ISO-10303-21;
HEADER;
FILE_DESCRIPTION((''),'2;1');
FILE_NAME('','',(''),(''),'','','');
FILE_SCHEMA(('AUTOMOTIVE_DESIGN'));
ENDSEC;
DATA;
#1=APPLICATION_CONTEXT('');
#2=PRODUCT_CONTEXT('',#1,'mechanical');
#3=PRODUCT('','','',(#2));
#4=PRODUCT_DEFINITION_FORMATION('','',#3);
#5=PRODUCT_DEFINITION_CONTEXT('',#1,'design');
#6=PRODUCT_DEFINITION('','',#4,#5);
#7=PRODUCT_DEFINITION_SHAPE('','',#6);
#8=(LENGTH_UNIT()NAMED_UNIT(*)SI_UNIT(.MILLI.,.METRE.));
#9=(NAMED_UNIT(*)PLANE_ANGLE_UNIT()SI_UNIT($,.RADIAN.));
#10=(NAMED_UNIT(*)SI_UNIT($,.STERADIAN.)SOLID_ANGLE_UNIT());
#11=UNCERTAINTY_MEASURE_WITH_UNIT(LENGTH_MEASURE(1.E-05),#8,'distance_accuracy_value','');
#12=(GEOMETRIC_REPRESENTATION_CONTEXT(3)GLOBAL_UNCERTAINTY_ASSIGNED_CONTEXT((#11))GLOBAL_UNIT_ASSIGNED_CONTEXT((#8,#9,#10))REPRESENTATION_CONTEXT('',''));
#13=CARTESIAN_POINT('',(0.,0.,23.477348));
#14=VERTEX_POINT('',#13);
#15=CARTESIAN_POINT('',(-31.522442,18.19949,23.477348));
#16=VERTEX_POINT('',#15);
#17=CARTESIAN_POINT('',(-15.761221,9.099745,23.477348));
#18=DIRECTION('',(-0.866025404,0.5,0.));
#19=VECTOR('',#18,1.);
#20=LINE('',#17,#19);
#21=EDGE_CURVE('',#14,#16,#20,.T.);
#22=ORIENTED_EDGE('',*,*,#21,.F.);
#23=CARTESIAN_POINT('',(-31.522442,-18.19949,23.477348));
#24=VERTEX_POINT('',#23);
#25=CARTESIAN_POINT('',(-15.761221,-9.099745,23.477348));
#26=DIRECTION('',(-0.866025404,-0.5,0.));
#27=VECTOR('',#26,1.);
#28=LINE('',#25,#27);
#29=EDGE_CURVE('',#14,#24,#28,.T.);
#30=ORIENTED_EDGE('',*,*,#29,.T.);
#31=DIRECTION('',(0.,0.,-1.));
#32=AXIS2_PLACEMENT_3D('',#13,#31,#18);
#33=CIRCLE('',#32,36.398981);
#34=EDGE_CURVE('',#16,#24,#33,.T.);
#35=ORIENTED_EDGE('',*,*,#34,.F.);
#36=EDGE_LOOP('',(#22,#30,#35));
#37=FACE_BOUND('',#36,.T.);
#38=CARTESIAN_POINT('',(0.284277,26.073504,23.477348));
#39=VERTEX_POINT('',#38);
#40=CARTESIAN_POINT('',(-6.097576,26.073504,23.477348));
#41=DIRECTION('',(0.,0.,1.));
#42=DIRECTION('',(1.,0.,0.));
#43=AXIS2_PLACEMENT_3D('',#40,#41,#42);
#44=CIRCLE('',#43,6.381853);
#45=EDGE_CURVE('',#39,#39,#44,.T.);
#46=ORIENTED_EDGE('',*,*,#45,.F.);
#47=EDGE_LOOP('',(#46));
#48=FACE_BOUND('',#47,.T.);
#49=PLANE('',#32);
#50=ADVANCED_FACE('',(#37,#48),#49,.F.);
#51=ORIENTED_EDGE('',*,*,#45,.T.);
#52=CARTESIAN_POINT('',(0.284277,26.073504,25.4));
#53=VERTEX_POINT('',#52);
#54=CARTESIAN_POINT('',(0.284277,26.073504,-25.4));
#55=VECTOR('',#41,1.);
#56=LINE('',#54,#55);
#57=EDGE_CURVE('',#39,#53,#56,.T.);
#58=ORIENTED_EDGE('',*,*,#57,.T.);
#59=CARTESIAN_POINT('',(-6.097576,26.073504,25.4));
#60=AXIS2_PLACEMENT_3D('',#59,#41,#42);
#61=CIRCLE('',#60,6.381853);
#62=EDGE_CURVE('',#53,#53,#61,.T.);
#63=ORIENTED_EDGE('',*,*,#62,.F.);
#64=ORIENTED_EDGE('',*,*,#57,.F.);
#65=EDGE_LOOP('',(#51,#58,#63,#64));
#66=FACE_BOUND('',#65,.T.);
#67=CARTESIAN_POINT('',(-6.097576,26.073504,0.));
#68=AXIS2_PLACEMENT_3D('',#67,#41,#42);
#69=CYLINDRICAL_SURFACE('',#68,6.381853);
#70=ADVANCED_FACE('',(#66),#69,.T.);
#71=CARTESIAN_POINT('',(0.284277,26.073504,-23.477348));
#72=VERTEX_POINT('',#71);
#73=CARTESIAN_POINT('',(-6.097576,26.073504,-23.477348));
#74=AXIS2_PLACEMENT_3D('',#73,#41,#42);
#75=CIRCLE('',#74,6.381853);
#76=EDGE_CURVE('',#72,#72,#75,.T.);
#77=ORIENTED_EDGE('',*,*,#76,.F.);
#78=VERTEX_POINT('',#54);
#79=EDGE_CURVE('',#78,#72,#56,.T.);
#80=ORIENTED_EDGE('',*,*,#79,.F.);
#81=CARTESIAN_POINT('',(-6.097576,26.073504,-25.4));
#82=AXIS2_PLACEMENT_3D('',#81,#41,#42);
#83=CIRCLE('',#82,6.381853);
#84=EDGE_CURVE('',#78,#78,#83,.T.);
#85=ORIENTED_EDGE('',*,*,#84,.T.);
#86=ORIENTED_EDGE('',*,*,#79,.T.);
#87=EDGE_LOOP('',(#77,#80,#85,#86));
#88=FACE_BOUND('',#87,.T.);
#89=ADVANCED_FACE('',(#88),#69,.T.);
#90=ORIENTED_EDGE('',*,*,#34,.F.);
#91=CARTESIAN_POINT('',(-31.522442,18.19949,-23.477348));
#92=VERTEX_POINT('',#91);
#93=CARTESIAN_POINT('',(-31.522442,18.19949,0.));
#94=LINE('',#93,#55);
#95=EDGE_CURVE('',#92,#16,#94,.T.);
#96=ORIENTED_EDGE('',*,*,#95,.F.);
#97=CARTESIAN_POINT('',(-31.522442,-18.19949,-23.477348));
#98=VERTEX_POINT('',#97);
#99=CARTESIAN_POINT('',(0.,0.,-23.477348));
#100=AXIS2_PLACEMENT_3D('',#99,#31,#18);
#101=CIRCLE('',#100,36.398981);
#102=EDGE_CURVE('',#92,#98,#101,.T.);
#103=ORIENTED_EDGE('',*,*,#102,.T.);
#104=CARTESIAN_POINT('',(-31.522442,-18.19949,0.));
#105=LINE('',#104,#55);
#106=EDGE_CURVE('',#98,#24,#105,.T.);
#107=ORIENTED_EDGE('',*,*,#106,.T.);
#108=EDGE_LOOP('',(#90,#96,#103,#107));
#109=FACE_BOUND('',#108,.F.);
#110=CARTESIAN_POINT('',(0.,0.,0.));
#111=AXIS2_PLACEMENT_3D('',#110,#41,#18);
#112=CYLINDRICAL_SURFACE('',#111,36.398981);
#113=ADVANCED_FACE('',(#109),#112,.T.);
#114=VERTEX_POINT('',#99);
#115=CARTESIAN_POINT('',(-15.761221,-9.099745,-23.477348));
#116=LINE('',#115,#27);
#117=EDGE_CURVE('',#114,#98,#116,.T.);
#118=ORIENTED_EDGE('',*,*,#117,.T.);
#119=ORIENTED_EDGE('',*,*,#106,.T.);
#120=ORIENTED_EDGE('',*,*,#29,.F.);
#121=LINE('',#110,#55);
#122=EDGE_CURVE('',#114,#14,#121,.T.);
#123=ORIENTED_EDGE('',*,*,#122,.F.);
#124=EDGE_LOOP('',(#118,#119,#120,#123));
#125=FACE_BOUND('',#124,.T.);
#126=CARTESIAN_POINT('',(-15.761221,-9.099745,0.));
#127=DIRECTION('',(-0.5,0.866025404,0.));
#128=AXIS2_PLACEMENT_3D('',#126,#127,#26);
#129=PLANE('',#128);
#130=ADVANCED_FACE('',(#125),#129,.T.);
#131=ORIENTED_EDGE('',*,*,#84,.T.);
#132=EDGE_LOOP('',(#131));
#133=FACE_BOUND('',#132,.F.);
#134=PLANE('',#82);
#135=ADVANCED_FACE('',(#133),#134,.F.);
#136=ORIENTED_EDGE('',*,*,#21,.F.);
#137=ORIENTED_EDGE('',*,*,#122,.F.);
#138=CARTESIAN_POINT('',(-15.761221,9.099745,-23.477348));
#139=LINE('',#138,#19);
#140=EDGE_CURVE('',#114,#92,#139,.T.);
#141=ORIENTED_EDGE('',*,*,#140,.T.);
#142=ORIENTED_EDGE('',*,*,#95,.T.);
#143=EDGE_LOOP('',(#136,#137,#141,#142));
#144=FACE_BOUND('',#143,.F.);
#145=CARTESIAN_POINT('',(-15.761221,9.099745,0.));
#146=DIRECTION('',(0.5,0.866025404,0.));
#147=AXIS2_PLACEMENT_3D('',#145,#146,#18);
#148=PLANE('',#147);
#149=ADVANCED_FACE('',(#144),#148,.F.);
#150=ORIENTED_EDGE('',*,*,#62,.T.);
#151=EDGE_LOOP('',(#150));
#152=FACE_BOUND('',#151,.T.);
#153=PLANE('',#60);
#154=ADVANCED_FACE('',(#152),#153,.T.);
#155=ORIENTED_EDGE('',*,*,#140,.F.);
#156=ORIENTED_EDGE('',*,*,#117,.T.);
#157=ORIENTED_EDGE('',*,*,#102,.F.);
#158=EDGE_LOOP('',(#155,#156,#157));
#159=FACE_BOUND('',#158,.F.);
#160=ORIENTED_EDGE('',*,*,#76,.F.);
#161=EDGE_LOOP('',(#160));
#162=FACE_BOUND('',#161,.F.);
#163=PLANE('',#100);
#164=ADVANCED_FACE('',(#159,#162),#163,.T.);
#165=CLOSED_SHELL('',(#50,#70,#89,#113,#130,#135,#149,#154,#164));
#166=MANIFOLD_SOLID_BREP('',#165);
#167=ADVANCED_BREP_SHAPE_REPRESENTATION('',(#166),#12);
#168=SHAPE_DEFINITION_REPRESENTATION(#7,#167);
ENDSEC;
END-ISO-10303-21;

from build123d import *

# Parameters (mm, degrees)
F0_W          = 36.3989807665
F0_H          = 46.9546951354
F1_ANGLE_BACK = 150
F1_ANGLE      = 300
F2_R          = 6.3818530104
F3_DEPTH      = 25.4


with BuildPart() as f1:
    # F0 (on Front) → F1 (revolve)
    with BuildSketch(Plane.XZ, mode=Mode.PRIVATE) as f1_sk:
        with Locations((18.1994903833, 0)):
            Rectangle(F0_W, F0_H)
    revolve(f1_sk.sketch.rotate(Axis((0, 0, 0), (0, 0, -1)), -F1_ANGLE_BACK), axis=Axis((0, 0, 0), (0, 0, -1)), revolution_arc=F1_ANGLE)

    # F2 (on Top) → F3 (join, symmetric)
    with BuildSketch(Plane.XY):
        with Locations((-6.0975761153, 26.0735042393)):
            Circle(F2_R)
    extrude(amount=F3_DEPTH, both=True)


solid = f1.part
